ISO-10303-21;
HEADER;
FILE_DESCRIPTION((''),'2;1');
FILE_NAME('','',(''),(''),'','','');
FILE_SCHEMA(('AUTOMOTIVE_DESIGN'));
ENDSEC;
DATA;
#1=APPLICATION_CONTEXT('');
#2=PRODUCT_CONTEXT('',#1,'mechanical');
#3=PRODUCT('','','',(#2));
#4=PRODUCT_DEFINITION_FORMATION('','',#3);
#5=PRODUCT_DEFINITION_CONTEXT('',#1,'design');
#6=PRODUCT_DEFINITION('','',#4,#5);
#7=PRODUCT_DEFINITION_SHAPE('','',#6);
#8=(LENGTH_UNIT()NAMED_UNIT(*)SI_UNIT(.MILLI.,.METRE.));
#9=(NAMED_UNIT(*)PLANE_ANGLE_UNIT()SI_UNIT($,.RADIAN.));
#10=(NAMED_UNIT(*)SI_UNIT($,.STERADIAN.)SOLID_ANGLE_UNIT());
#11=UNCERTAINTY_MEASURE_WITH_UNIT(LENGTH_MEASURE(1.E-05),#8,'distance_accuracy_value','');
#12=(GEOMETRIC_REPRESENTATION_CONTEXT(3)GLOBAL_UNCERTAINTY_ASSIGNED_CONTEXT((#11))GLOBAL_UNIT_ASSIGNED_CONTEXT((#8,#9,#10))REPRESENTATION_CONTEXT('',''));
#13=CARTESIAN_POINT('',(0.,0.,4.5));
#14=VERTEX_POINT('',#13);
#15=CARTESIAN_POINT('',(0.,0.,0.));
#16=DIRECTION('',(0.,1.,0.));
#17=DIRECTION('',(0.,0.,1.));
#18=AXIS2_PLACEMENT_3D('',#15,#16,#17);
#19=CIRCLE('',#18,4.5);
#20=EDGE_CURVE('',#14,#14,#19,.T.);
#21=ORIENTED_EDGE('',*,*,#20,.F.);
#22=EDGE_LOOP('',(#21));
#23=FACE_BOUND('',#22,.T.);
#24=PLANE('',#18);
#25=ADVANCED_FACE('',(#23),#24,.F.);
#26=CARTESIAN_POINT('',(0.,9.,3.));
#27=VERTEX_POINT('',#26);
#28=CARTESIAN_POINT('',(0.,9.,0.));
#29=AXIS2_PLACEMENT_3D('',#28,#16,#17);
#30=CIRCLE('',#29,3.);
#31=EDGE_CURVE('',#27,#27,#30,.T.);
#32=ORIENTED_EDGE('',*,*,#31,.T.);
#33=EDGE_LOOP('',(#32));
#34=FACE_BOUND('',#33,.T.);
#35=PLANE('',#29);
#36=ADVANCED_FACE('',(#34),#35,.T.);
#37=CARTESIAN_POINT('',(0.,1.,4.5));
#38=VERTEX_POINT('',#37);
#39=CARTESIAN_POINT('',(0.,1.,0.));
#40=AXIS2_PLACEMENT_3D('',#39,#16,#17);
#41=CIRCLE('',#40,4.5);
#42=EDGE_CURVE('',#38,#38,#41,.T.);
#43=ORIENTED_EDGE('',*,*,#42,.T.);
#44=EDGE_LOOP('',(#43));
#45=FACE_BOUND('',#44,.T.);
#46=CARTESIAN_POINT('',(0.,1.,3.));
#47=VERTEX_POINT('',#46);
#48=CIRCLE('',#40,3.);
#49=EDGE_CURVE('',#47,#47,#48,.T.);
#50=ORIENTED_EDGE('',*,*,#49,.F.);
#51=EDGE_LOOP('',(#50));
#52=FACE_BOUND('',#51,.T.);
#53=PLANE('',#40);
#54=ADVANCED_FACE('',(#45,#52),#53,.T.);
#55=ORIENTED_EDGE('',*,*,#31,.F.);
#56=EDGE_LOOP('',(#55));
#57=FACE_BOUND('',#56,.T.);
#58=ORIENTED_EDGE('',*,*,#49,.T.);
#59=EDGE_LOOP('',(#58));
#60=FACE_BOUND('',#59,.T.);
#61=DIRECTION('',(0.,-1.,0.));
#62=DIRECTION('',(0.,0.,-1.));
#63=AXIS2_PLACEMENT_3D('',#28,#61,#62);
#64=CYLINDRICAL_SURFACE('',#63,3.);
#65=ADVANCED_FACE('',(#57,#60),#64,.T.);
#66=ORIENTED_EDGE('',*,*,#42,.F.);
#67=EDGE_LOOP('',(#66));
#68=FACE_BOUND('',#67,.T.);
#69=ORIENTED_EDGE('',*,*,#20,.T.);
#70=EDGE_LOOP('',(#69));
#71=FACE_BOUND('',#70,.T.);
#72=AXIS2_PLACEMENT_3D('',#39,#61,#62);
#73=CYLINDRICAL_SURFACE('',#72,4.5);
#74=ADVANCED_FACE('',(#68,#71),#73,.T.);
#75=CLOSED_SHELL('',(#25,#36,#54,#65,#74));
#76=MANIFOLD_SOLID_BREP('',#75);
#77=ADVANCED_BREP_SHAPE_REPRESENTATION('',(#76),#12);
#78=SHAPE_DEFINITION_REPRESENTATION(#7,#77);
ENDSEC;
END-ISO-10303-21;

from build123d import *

# Parameters (mm, degrees)
SKETCH1_R           = 4.5
BOSS_EXTRUDE1_DEPTH = 1
SKETCH2_R           = 3
BOSS_EXTRUDE2_DEPTH = 8


with BuildPart() as part:
    # Sketch1 → Boss-Extrude1 (new body)
    with BuildSketch(Plane(origin=(0, 0, 0), x_dir=(1, 0, 0), z_dir=(0, 1, 0))):
        Circle(SKETCH1_R)
    extrude(amount=BOSS_EXTRUDE1_DEPTH)

    # Sketch2 → Boss-Extrude2 (add)
    with BuildSketch(Plane(origin=(0, 1, 0), x_dir=(1, 0, 0), z_dir=(0, 1, 0))):
        Circle(SKETCH2_R)
    extrude(amount=BOSS_EXTRUDE2_DEPTH)


solid = part.part
